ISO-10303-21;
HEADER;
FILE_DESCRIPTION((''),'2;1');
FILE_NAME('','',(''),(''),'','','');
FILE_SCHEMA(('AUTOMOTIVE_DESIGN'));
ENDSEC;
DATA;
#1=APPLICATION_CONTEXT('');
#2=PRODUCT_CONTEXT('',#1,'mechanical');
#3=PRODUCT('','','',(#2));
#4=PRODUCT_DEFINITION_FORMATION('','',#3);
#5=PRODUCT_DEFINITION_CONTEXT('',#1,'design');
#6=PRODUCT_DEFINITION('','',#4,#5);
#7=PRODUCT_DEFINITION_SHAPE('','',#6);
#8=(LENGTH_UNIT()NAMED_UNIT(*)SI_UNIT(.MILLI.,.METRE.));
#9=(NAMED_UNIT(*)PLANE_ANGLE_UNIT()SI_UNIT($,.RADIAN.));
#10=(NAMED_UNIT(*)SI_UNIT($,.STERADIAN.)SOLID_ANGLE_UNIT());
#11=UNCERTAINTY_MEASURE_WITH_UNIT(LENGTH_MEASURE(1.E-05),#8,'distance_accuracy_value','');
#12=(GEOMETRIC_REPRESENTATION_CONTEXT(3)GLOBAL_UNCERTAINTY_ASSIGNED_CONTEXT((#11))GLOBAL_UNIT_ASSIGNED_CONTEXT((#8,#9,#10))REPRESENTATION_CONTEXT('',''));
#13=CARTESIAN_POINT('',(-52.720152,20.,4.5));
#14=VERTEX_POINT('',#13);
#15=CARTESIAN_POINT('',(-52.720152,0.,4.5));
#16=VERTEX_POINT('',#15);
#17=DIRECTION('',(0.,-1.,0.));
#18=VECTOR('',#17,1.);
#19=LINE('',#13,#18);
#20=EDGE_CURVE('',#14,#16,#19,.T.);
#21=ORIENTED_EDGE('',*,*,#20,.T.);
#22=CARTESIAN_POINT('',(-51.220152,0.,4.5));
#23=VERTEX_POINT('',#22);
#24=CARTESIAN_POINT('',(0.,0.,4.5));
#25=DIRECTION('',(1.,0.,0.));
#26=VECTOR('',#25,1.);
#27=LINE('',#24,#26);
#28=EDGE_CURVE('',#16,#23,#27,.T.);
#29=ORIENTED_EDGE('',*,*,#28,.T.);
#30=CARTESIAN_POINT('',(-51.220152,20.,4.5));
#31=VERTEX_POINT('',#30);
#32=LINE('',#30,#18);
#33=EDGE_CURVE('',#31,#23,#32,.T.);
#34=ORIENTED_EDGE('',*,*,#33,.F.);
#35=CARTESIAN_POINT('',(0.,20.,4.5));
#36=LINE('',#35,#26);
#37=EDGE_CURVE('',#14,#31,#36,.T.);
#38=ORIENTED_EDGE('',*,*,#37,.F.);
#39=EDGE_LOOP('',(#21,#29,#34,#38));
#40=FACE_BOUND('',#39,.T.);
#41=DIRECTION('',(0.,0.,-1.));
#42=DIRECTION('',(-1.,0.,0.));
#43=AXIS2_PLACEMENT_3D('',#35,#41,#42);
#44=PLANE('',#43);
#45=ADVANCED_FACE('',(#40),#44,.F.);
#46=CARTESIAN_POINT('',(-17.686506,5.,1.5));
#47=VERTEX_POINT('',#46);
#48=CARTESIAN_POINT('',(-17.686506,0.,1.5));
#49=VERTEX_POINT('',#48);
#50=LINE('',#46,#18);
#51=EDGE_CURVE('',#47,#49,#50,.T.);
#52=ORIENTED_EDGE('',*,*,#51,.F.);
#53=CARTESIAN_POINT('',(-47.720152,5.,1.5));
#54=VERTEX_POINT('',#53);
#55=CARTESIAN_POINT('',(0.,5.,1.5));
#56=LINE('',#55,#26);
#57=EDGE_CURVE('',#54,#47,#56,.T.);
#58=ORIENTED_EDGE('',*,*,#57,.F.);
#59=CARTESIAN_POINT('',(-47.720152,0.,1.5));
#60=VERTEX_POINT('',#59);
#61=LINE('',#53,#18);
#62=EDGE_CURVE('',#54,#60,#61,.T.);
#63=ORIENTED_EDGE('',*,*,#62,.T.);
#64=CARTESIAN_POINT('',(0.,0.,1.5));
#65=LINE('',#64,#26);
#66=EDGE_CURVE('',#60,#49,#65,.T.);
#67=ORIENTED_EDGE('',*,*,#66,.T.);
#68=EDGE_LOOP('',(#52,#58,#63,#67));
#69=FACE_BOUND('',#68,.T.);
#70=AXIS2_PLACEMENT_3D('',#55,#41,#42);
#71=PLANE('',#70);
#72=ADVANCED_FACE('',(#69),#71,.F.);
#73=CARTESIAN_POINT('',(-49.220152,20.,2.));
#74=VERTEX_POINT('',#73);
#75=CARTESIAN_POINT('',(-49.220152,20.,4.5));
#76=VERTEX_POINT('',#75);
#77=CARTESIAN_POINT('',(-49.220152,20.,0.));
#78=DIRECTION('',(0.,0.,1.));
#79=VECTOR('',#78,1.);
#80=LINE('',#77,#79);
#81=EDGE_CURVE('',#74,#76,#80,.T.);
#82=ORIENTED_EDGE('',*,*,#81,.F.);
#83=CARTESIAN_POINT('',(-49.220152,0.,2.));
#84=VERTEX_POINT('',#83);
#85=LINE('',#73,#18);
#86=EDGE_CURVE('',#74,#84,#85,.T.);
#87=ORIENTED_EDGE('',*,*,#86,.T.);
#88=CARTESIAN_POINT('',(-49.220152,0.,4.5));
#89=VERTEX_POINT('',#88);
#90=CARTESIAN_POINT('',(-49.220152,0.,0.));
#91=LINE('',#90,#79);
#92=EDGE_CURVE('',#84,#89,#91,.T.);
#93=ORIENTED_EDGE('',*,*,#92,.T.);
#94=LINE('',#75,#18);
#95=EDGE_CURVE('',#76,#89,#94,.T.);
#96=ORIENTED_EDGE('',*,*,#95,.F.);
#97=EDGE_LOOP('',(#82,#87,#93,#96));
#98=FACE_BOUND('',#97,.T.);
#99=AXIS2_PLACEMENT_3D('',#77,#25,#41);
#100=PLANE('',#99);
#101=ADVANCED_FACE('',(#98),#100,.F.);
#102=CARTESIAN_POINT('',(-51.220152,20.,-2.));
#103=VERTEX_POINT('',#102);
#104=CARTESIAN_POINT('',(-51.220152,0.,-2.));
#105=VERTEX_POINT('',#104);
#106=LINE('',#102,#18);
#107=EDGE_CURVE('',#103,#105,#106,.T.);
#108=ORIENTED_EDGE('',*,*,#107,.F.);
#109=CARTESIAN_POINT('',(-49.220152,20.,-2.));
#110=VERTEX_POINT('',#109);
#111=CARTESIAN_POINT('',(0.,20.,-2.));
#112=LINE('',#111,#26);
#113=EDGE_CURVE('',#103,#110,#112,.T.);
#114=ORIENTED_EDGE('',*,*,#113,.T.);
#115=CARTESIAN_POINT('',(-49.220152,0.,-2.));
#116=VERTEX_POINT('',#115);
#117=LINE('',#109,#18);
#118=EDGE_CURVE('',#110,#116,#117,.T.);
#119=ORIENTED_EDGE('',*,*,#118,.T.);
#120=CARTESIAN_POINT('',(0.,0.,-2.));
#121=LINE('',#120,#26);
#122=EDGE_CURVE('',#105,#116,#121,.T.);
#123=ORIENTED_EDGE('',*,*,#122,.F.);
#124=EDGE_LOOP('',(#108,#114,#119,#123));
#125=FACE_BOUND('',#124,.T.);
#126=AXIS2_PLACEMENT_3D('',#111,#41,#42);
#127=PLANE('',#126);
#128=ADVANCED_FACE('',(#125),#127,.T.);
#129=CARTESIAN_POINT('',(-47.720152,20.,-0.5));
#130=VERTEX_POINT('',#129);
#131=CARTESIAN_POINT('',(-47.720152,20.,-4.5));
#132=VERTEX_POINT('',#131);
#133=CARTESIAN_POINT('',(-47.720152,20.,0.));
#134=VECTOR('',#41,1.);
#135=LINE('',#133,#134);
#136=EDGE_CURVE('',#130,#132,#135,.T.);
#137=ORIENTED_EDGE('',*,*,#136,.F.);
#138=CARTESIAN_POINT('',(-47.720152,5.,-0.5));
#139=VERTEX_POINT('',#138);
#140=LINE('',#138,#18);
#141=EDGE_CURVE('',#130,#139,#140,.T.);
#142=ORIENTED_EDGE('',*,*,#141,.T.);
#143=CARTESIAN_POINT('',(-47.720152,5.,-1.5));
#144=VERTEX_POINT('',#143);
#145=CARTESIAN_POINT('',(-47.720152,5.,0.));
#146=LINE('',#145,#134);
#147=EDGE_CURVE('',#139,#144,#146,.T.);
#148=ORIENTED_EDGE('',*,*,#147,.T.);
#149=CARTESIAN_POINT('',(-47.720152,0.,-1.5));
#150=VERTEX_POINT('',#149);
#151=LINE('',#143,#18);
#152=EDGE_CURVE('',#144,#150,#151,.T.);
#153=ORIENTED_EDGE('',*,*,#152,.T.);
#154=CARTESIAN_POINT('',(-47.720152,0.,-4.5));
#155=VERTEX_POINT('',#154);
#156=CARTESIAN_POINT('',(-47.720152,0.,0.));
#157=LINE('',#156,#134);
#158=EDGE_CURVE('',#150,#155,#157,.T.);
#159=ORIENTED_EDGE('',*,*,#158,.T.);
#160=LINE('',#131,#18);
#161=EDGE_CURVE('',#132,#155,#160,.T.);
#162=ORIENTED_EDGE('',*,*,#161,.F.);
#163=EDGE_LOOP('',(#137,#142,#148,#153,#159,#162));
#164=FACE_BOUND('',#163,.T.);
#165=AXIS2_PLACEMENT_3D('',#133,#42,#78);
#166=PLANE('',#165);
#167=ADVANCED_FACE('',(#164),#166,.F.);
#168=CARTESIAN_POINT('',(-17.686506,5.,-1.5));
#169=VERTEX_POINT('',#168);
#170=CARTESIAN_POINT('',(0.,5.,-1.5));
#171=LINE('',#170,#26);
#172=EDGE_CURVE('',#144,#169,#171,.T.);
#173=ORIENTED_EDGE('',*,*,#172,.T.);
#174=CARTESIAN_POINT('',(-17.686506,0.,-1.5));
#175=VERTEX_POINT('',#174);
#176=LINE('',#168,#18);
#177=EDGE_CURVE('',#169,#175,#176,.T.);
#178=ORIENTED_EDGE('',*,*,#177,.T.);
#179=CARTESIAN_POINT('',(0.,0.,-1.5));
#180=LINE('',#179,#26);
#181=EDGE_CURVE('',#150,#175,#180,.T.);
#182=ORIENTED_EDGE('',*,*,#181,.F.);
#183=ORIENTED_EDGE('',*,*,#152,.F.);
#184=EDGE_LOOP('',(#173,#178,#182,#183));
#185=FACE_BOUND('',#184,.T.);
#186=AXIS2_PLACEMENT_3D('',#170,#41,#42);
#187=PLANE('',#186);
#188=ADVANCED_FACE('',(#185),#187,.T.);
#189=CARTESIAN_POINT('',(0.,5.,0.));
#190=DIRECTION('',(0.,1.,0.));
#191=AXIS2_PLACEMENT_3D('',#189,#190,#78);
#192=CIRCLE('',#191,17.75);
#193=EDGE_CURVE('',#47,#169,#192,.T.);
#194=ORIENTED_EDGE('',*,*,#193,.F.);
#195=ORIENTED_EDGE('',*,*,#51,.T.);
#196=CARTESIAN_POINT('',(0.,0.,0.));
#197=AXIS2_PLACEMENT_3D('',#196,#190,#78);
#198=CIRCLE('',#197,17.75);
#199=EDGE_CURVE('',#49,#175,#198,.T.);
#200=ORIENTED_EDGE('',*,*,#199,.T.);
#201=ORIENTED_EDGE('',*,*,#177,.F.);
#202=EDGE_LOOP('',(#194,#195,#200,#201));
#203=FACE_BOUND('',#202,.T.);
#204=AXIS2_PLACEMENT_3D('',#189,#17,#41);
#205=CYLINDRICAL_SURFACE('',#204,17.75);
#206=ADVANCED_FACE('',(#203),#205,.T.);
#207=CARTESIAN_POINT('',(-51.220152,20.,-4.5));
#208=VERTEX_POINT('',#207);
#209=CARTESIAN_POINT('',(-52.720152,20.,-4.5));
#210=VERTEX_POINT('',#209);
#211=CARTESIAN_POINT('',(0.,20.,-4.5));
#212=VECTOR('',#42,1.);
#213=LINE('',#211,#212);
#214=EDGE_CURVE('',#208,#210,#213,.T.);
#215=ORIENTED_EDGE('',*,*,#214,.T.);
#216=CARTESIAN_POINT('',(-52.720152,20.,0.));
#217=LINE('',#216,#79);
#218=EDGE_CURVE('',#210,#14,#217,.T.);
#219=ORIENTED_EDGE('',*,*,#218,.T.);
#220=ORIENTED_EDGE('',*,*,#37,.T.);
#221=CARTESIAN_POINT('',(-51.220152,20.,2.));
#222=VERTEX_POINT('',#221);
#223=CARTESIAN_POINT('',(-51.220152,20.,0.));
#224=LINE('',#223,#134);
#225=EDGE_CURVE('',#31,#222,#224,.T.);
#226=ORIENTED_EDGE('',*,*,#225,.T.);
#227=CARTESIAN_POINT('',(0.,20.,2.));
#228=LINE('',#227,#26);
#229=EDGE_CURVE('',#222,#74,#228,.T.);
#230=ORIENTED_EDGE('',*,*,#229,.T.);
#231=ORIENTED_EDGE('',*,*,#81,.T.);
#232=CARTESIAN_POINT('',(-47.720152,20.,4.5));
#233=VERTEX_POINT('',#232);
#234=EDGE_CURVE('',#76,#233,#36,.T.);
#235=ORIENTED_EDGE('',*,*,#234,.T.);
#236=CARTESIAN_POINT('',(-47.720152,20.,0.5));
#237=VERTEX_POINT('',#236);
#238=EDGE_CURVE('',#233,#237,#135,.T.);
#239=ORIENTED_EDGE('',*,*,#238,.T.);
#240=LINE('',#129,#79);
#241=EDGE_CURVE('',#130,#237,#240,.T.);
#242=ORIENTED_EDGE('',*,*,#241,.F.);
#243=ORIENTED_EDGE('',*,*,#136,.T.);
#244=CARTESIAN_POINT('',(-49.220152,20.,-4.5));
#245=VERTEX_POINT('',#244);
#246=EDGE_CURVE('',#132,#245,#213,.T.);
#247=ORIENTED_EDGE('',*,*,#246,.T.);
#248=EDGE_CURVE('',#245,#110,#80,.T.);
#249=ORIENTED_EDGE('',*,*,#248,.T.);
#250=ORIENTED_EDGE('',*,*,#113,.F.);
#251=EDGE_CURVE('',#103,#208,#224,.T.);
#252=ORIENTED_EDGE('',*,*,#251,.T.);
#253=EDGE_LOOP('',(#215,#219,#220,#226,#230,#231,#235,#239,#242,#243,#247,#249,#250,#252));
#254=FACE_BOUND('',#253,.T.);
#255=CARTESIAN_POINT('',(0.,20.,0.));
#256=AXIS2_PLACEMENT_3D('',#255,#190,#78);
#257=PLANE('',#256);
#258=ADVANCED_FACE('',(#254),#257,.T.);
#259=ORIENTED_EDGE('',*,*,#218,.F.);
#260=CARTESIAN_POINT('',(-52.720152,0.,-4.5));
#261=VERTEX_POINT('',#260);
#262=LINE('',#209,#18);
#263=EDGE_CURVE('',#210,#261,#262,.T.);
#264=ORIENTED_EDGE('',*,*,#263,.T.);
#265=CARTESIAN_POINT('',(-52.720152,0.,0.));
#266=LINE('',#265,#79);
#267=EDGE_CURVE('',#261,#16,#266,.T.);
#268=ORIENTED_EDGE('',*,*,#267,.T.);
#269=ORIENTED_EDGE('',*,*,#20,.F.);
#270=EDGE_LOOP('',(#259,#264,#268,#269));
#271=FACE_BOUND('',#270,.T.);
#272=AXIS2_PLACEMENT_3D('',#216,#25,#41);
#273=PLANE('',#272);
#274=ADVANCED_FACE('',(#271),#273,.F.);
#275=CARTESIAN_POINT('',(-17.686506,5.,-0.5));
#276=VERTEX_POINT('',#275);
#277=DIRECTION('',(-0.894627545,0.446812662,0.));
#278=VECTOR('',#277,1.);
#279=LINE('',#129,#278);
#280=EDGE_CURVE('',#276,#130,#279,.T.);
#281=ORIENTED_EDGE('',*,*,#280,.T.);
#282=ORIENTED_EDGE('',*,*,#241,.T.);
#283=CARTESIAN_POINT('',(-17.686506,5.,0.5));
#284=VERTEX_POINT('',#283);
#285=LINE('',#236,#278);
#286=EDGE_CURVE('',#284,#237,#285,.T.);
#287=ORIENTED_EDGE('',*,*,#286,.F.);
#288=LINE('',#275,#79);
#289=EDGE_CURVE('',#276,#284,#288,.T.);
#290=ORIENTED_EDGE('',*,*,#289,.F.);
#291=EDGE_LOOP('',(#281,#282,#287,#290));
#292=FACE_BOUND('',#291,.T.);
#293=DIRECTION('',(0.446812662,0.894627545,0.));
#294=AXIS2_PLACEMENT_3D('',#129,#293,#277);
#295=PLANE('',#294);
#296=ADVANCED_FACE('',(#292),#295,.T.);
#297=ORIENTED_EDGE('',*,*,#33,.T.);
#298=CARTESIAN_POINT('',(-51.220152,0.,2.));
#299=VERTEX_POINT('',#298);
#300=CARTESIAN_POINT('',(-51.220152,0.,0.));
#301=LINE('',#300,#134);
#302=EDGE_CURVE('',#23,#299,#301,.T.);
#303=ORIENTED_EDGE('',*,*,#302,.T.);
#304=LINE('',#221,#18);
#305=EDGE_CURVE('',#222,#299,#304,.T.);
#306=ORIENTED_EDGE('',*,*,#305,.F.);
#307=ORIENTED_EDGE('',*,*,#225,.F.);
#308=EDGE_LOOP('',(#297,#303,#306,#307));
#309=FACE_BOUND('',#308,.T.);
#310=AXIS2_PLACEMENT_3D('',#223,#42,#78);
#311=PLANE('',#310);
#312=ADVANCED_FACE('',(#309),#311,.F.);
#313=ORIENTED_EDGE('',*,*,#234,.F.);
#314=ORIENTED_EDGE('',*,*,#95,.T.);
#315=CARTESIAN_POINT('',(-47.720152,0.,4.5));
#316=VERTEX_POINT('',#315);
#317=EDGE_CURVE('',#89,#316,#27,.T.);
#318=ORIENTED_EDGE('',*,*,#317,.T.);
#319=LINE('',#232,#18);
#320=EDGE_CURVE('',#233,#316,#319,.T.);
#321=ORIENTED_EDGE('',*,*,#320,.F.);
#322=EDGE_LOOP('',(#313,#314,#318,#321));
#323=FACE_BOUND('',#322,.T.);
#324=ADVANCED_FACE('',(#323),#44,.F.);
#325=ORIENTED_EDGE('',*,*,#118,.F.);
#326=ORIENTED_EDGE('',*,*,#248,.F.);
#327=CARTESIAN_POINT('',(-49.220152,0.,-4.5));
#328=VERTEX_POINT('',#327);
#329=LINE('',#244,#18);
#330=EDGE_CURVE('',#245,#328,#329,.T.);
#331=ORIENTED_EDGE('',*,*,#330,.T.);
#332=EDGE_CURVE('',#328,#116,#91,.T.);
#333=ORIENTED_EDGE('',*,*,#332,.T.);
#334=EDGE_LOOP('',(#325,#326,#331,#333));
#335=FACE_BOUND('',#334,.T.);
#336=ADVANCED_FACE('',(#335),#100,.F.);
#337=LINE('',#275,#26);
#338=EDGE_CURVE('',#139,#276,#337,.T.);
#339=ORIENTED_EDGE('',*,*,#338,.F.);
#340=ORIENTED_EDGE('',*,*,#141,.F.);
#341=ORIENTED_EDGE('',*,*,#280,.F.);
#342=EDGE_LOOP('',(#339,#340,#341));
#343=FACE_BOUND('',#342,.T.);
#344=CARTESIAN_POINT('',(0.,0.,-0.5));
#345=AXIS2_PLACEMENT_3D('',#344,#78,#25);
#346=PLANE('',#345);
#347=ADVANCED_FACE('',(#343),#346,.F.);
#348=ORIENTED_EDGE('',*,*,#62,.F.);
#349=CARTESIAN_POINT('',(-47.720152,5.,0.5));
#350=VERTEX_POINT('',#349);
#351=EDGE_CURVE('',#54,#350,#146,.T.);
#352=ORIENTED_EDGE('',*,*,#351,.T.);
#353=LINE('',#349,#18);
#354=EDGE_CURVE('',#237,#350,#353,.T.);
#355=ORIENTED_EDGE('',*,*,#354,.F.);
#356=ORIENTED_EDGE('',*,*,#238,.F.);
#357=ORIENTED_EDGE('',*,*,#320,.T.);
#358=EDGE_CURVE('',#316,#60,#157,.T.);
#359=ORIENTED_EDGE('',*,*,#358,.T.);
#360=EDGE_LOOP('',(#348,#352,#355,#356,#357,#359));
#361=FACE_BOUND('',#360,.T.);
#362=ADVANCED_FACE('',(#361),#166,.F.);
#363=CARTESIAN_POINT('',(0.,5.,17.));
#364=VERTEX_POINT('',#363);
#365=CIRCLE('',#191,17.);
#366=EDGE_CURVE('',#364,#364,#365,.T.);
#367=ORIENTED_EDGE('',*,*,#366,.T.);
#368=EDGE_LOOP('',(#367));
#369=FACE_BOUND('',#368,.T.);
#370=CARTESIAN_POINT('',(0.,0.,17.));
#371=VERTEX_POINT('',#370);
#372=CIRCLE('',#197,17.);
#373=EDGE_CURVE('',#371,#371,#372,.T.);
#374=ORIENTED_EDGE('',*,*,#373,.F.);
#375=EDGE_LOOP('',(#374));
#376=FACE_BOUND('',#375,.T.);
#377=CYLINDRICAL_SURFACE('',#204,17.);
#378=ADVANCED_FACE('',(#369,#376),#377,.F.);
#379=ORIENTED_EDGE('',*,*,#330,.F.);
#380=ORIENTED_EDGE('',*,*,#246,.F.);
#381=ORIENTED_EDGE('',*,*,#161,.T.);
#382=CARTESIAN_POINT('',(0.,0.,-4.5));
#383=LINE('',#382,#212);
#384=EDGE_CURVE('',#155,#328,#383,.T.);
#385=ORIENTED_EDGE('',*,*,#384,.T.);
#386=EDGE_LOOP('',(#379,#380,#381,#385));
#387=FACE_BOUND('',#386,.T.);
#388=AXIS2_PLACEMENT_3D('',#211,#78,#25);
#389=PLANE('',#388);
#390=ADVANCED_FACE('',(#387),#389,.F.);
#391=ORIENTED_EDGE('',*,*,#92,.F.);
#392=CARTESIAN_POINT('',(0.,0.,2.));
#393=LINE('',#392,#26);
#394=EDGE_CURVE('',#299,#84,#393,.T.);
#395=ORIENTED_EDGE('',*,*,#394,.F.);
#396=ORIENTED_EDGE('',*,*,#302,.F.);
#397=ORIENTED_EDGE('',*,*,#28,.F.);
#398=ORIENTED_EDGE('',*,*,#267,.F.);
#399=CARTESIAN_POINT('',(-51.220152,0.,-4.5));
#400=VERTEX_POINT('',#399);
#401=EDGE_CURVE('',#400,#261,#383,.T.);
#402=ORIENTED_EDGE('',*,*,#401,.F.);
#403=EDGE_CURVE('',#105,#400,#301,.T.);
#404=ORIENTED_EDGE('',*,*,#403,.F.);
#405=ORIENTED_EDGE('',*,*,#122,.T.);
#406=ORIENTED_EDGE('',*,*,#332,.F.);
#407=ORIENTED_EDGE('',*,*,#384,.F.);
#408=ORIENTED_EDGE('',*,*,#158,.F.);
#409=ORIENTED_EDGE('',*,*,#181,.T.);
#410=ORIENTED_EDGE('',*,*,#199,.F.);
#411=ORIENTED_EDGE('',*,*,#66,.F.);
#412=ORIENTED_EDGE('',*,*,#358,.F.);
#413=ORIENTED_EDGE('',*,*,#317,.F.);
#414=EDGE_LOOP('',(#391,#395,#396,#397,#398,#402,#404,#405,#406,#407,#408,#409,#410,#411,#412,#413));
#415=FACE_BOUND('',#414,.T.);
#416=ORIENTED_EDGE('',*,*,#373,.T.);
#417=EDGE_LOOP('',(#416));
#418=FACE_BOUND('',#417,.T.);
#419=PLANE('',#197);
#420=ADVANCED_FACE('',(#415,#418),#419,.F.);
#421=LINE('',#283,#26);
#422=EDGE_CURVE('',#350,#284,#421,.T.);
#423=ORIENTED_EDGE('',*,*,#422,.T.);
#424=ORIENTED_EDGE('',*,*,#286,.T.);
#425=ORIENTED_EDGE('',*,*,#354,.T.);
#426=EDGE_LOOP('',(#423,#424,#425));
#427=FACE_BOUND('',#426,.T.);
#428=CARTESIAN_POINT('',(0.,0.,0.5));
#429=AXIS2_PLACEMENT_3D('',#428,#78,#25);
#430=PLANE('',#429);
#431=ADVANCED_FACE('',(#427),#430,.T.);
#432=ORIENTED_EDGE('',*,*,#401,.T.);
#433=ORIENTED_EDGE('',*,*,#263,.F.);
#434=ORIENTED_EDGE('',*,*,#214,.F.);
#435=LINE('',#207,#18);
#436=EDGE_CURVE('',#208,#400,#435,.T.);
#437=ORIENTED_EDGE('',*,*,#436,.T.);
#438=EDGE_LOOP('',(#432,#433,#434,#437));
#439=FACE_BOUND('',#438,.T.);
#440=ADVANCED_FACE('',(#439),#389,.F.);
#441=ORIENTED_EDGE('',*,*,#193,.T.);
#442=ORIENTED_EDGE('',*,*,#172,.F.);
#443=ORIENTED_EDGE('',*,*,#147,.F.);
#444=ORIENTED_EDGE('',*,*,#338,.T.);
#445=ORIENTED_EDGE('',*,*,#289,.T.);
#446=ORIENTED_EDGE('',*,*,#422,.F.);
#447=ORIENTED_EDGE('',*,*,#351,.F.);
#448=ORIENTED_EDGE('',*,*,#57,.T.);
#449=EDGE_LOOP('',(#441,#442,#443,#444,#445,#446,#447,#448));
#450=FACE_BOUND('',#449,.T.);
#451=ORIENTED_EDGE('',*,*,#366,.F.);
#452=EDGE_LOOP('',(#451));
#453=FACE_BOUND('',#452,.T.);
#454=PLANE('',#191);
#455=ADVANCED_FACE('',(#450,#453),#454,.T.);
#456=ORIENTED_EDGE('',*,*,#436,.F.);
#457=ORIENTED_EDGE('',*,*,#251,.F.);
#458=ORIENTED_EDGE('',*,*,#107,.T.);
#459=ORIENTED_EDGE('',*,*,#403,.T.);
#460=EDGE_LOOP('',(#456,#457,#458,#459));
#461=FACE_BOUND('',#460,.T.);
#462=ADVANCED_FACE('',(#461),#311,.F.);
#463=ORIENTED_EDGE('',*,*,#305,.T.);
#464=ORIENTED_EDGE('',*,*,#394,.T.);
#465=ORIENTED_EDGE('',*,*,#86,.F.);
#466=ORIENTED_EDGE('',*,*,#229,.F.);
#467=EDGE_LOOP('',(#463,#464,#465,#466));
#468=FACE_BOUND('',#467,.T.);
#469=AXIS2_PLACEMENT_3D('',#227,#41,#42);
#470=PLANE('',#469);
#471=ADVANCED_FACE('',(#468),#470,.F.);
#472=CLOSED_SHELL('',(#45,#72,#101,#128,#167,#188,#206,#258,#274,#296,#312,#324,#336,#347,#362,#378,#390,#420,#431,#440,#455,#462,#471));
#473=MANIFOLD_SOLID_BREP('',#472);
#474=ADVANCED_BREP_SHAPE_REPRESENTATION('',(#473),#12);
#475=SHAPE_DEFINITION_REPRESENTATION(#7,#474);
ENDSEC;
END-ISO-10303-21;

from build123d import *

# Parameters (mm, degrees)
SKETCH8_R            = 17
BOSS_EXTRUDE10_DEPTH = 5
BOSS_EXTRUDE11_DEPTH = 20
BOSS_EXTRUDE13_START = -1
BOSS_EXTRUDE13_DEPTH = 1


with BuildPart() as part:
    # Sketch8 → Boss-Extrude10 (new body)
    with BuildSketch(Plane(origin=(0, 0, 0), x_dir=(1, 0, 0), z_dir=(0, 1, 0))):
        with BuildLine():
            Line((-17.686506156, 1.5), (-47.720151855, 1.5))
            Line((-47.720151855, 1.5), (-47.720151855, -1.5))
            Line((-47.720151855, -1.5), (-17.686506156, -1.5))
            ThreePointArc((-17.686506156, -1.5), (17.75, 0), (-17.686506156, 1.5))
        make_face()
        Circle(SKETCH8_R, mode=Mode.SUBTRACT)
    extrude(amount=BOSS_EXTRUDE10_DEPTH)

    # Sketch8<3> → Boss-Extrude11 (add)
    with BuildSketch(Plane(origin=(0, 0, 0), x_dir=(1, 0, 0), z_dir=(0, 1, 0))):
        Polygon((-47.720151855, -1.5), (-47.720151855, 1.5), (-47.720151855, 4.5), (-49.220151855, 4.5), (-49.220151855, 2), (-51.220151855, 2), (-51.220151855, 4.5), (-52.720151855, 4.5), (-52.720151855, -4.5), (-51.220151855, -4.5), (-51.220151855, -2), (-49.220151855, -2), (-49.220151855, -4.5), (-47.720151855, -4.5), align=None)
    extrude(amount=BOSS_EXTRUDE11_DEPTH)

    # Sketch9 → Boss-Extrude13 (add)
    with BuildSketch(Plane.XY.offset(1.5).offset(BOSS_EXTRUDE13_START)):
        Polygon((-17.686506156, 5), (-47.720151855, 5), (-47.720151855, 20), align=None)
    extrude(amount=-BOSS_EXTRUDE13_DEPTH)


solid = part.part
